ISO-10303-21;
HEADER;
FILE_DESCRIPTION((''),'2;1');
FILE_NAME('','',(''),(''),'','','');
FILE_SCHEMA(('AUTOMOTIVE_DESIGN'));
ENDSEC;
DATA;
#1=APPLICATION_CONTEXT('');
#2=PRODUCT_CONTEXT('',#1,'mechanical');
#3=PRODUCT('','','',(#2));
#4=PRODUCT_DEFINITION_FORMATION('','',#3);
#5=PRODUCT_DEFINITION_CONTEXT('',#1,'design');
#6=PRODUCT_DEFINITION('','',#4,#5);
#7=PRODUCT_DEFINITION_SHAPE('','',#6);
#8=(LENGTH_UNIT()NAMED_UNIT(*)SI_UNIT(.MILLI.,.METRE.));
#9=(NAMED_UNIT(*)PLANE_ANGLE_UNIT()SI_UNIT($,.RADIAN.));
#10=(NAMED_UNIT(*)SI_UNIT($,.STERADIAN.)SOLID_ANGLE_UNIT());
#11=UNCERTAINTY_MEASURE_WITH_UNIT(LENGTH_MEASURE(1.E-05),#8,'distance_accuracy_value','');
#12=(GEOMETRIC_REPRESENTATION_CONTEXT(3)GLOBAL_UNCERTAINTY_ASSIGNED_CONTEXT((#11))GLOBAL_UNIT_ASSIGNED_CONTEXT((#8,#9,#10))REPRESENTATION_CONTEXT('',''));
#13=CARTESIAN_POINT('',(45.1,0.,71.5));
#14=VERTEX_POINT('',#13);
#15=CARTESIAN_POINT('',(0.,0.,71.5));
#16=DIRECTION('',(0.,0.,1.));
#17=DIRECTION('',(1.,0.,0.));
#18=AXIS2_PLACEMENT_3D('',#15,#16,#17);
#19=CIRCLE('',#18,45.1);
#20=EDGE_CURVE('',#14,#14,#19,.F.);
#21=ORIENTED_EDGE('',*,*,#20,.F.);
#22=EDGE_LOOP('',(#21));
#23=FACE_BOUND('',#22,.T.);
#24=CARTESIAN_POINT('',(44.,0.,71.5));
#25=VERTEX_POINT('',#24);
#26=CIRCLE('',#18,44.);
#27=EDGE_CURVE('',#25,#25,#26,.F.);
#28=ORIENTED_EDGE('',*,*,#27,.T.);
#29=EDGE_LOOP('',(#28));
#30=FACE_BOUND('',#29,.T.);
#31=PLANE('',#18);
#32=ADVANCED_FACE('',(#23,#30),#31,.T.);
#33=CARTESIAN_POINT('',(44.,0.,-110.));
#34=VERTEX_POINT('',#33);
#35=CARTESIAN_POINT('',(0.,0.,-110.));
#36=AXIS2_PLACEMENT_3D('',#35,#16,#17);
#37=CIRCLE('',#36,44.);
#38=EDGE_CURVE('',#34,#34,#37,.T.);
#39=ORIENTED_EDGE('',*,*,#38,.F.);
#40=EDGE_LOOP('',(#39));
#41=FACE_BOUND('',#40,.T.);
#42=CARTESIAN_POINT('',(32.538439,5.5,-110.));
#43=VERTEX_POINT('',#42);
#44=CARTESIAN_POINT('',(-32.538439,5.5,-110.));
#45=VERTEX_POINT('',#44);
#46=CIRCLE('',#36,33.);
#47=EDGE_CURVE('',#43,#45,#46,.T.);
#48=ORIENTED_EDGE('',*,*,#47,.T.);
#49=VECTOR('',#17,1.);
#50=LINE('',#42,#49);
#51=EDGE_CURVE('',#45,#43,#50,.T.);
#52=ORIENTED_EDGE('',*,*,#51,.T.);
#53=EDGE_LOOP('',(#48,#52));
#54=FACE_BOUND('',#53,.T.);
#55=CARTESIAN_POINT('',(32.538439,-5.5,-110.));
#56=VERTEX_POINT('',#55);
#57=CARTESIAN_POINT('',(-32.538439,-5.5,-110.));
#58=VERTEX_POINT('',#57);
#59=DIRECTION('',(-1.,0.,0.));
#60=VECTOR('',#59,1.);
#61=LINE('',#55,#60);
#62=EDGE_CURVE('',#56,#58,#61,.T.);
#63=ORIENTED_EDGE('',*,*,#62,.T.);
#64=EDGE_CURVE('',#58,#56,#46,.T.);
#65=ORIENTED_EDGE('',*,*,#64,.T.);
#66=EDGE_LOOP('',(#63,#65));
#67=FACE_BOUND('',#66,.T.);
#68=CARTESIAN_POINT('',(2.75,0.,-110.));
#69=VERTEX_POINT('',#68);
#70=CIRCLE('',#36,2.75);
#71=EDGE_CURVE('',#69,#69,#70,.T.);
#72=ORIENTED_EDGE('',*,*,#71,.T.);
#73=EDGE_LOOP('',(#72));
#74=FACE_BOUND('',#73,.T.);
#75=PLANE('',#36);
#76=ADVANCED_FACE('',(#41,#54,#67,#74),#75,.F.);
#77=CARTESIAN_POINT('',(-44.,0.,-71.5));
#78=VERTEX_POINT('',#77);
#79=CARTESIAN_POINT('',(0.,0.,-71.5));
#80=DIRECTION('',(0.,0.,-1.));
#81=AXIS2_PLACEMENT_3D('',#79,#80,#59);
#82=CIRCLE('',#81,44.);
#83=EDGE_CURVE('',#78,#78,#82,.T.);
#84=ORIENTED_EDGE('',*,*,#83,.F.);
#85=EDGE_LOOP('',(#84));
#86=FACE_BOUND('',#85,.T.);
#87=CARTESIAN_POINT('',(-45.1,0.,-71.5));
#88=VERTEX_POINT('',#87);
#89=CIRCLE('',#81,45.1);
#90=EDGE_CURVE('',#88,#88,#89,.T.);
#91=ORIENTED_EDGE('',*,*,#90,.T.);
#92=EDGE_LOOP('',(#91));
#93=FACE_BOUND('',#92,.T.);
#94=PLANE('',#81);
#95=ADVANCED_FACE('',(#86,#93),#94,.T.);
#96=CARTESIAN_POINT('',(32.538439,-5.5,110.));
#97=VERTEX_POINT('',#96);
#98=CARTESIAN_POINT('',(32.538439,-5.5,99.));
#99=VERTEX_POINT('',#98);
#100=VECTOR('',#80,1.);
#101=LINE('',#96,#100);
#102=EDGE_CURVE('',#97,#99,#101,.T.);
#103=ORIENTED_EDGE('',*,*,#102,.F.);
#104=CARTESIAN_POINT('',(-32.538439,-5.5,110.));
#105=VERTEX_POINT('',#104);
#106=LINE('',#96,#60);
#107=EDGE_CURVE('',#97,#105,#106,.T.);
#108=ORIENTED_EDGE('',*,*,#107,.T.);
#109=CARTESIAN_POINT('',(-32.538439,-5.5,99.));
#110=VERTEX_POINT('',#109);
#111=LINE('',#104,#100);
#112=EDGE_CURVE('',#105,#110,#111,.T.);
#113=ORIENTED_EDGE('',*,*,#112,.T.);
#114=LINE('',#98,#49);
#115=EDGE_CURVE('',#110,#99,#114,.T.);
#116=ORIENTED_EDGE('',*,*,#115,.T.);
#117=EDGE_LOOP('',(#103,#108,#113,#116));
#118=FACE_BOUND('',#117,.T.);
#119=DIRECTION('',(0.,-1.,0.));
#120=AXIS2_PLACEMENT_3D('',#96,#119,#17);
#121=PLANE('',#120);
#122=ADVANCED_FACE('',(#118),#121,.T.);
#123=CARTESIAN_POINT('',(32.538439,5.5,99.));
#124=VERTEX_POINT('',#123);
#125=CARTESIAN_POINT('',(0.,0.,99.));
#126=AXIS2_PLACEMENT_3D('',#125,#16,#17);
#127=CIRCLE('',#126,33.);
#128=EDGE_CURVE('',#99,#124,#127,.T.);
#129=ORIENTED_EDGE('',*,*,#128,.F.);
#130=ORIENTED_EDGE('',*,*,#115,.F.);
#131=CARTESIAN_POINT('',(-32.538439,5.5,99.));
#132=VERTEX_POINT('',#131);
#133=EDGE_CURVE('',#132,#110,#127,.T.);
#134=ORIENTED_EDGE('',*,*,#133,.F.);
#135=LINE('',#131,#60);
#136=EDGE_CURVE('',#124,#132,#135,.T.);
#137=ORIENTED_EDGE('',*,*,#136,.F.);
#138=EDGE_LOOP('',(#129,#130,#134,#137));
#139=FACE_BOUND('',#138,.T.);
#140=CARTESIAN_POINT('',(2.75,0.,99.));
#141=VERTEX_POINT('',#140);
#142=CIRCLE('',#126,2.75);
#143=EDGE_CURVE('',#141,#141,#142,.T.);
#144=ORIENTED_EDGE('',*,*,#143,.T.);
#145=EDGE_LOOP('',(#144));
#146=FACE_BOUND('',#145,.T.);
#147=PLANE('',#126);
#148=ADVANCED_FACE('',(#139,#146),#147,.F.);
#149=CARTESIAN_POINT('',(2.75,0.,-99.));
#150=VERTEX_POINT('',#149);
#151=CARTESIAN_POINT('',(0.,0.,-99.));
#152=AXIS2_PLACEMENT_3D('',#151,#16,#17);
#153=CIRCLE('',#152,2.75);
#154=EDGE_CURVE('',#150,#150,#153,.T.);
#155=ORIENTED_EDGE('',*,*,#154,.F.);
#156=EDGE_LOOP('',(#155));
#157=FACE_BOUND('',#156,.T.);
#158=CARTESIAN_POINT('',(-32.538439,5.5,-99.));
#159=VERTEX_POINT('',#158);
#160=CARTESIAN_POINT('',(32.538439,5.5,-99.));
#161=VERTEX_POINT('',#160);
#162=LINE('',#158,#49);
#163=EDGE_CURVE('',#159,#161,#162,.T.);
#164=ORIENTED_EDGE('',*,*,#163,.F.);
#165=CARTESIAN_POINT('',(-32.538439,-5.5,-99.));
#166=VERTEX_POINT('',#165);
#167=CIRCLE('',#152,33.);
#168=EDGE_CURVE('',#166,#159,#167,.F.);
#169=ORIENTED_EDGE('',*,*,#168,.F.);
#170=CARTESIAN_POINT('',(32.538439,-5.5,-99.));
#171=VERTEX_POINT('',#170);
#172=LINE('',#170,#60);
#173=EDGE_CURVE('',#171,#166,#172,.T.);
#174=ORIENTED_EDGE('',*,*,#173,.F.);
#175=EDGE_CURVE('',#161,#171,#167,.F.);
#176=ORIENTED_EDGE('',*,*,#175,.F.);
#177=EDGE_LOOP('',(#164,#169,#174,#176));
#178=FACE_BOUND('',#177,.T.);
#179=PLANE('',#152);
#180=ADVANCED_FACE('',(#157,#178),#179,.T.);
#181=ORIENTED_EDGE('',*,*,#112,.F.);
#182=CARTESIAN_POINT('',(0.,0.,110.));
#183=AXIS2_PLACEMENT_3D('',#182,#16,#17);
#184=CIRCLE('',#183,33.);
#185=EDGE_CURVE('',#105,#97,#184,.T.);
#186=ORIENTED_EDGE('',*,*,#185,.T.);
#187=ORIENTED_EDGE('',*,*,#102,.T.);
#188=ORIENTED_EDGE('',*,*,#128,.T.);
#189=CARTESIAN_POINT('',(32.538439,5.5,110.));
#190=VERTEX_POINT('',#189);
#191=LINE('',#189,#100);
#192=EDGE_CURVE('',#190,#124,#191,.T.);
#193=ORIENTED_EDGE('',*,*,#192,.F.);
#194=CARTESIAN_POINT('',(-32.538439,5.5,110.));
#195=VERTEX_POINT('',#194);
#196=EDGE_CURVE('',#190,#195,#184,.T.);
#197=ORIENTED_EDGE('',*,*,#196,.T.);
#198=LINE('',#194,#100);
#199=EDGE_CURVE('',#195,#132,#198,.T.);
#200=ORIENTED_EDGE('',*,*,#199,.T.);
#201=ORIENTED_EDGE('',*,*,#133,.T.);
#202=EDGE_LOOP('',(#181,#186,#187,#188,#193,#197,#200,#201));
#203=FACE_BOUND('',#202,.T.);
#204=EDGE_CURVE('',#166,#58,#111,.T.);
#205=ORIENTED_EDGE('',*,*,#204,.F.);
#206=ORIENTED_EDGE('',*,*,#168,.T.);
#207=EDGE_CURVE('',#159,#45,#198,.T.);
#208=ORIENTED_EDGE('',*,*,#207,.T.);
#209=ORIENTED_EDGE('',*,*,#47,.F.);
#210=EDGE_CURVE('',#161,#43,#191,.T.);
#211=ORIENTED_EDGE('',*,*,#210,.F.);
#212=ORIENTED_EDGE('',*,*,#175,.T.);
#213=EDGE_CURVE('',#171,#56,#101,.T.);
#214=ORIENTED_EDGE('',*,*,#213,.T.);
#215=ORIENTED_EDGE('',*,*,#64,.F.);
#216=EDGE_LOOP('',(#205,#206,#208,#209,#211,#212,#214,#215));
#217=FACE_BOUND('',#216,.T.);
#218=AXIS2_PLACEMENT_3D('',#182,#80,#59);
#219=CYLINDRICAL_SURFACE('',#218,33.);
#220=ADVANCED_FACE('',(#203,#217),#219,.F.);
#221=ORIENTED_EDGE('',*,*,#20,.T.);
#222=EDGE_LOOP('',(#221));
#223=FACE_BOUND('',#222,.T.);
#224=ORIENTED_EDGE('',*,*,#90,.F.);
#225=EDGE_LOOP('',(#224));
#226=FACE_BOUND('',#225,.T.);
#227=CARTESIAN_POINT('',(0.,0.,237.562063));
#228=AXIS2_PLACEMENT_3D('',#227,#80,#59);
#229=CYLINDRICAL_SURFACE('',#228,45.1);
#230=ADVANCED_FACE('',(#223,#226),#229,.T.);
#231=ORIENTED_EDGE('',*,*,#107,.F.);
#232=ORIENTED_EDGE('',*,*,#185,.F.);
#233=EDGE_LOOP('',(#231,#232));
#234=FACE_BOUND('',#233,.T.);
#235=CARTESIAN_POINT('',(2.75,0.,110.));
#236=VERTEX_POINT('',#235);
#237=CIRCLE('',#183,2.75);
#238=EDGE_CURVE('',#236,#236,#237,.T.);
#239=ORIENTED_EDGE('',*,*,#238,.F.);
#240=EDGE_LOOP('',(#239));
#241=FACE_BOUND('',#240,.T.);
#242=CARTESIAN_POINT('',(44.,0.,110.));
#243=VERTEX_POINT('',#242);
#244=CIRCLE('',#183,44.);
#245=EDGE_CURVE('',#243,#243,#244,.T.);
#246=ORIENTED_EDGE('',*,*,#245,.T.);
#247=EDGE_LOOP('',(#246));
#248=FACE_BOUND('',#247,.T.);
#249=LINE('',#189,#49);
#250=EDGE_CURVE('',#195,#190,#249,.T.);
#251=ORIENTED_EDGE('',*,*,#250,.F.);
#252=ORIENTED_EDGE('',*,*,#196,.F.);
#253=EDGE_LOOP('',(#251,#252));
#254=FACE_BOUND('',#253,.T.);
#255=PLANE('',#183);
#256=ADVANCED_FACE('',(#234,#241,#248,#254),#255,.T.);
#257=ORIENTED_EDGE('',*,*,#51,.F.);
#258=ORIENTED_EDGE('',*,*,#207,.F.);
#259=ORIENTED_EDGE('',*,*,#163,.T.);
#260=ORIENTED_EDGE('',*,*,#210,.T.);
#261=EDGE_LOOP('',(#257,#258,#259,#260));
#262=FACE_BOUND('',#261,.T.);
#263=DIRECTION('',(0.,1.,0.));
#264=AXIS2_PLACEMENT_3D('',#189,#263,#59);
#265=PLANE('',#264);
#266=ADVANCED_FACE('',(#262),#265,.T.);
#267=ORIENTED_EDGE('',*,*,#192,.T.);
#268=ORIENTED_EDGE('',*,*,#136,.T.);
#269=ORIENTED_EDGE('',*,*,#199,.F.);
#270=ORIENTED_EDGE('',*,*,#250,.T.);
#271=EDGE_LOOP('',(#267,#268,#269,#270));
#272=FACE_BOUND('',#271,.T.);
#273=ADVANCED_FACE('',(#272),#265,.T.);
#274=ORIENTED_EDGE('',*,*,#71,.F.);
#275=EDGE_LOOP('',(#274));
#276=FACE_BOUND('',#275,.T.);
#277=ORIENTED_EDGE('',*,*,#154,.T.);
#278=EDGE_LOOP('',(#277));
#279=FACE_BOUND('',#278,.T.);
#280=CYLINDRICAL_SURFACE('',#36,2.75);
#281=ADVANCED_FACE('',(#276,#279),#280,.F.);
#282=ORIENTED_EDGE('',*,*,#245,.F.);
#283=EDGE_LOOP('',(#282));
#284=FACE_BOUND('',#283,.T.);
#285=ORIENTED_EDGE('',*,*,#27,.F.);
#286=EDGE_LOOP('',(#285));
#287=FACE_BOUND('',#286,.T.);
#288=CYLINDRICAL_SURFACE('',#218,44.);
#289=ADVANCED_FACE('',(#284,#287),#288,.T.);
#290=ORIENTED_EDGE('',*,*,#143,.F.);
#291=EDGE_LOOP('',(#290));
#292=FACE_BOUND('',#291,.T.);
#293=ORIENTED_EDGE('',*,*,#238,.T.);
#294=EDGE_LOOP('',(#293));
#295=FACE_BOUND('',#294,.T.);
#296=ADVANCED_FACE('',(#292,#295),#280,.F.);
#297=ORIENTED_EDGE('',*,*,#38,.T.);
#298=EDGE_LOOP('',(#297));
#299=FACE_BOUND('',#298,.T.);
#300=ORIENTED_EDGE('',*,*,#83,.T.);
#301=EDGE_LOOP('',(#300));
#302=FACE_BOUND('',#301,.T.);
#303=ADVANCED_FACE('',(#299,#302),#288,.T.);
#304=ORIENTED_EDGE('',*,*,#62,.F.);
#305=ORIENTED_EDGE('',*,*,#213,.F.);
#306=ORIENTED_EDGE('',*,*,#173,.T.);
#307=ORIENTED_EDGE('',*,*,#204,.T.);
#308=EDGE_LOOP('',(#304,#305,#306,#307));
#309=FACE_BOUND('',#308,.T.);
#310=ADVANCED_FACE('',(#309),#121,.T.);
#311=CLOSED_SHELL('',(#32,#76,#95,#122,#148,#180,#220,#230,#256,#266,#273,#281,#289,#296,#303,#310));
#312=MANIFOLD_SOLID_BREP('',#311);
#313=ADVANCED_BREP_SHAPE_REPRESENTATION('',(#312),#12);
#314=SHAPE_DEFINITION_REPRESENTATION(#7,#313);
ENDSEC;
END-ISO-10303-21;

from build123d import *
from build123d.topology import SkipClean

# Parameters (mm, degrees)
SKETCH1_R               = 40
BOSS_EXTRUDE1_DEPTH     = 100
CUT_EXTRUDE1_START      = -10
CUT_EXTRUDE1_DEPTH      = 180
CUT_EXTRUDE2_DEPTH      = 208.846096908
CUT_EXTRUDE2_DEPTH_BACK = 208.846096908
SKETCH3_R               = 2.5
BOSS_EXTRUDE2_START     = -165
SKETCH4_R               = 41
SKETCH4_R_2             = 40
BOSS_EXTRUDE2_DEPTH     = 130
SCALE1_SCALE            = 1.1


with BuildPart() as part:
    # Sketch1 → Boss-Extrude1 (new, symmetric)
    with BuildSketch(Plane.XY):
        Circle(SKETCH1_R)
        with BuildLine():
            Line((29.580398915, 5), (-29.580398915, 5))
            ThreePointArc((-29.580398915, 5), (0, 30), (29.580398915, 5))
        make_face(mode=Mode.SUBTRACT)
        with BuildLine():
            Line((29.580398915, -5), (-29.580398915, -5))
            ThreePointArc((-29.580398915, -5), (0, -30), (29.580398915, -5))
        make_face(mode=Mode.SUBTRACT)
    extrude(amount=BOSS_EXTRUDE1_DEPTH, both=True)

    # Sketch2 → Cut-Extrude1 (cut)
    with BuildSketch(Plane.XY.offset(100).offset(CUT_EXTRUDE1_START)):
        with BuildLine():
            Line((-29.580398915, 5), (29.580398915, 5))
            ThreePointArc((29.580398915, 5), (30, 0), (29.580398915, -5))
            Line((29.580398915, -5), (-29.580398915, -5))
            ThreePointArc((-29.580398915, -5), (-30, 0), (-29.580398915, 5))
        make_face()
    extrude(amount=-CUT_EXTRUDE1_DEPTH, mode=Mode.SUBTRACT)

    # Sketch3 → Cut-Extrude2 (cut, two sides: drawn at the far end of the back side and taken through both)
    with SkipClean():  # the faces are left unmerged after this step: merging them gives an invalid solid
        with BuildSketch(Plane.XY.offset(100).offset(-CUT_EXTRUDE2_DEPTH_BACK)):
            Circle(SKETCH3_R)
        extrude(amount=CUT_EXTRUDE2_DEPTH + CUT_EXTRUDE2_DEPTH_BACK, mode=Mode.SUBTRACT)

    # Sketch4 → Boss-Extrude2 (add)
    with SkipClean():  # the faces are left unmerged after this step: merging them gives an invalid solid
        with BuildSketch(Plane(origin=(0, 0, -100), x_dir=(-1, 0, 0), z_dir=(0, 0, -1)).offset(BOSS_EXTRUDE2_START)):
            Circle(SKETCH4_R)
            Circle(SKETCH4_R_2, mode=Mode.SUBTRACT)
        extrude(amount=BOSS_EXTRUDE2_DEPTH)


with BuildPart() as part_1:
    # Scale1: scaled about (0, 0, 0)
    add(part.part.scale(SCALE1_SCALE))


solid = part_1.part
